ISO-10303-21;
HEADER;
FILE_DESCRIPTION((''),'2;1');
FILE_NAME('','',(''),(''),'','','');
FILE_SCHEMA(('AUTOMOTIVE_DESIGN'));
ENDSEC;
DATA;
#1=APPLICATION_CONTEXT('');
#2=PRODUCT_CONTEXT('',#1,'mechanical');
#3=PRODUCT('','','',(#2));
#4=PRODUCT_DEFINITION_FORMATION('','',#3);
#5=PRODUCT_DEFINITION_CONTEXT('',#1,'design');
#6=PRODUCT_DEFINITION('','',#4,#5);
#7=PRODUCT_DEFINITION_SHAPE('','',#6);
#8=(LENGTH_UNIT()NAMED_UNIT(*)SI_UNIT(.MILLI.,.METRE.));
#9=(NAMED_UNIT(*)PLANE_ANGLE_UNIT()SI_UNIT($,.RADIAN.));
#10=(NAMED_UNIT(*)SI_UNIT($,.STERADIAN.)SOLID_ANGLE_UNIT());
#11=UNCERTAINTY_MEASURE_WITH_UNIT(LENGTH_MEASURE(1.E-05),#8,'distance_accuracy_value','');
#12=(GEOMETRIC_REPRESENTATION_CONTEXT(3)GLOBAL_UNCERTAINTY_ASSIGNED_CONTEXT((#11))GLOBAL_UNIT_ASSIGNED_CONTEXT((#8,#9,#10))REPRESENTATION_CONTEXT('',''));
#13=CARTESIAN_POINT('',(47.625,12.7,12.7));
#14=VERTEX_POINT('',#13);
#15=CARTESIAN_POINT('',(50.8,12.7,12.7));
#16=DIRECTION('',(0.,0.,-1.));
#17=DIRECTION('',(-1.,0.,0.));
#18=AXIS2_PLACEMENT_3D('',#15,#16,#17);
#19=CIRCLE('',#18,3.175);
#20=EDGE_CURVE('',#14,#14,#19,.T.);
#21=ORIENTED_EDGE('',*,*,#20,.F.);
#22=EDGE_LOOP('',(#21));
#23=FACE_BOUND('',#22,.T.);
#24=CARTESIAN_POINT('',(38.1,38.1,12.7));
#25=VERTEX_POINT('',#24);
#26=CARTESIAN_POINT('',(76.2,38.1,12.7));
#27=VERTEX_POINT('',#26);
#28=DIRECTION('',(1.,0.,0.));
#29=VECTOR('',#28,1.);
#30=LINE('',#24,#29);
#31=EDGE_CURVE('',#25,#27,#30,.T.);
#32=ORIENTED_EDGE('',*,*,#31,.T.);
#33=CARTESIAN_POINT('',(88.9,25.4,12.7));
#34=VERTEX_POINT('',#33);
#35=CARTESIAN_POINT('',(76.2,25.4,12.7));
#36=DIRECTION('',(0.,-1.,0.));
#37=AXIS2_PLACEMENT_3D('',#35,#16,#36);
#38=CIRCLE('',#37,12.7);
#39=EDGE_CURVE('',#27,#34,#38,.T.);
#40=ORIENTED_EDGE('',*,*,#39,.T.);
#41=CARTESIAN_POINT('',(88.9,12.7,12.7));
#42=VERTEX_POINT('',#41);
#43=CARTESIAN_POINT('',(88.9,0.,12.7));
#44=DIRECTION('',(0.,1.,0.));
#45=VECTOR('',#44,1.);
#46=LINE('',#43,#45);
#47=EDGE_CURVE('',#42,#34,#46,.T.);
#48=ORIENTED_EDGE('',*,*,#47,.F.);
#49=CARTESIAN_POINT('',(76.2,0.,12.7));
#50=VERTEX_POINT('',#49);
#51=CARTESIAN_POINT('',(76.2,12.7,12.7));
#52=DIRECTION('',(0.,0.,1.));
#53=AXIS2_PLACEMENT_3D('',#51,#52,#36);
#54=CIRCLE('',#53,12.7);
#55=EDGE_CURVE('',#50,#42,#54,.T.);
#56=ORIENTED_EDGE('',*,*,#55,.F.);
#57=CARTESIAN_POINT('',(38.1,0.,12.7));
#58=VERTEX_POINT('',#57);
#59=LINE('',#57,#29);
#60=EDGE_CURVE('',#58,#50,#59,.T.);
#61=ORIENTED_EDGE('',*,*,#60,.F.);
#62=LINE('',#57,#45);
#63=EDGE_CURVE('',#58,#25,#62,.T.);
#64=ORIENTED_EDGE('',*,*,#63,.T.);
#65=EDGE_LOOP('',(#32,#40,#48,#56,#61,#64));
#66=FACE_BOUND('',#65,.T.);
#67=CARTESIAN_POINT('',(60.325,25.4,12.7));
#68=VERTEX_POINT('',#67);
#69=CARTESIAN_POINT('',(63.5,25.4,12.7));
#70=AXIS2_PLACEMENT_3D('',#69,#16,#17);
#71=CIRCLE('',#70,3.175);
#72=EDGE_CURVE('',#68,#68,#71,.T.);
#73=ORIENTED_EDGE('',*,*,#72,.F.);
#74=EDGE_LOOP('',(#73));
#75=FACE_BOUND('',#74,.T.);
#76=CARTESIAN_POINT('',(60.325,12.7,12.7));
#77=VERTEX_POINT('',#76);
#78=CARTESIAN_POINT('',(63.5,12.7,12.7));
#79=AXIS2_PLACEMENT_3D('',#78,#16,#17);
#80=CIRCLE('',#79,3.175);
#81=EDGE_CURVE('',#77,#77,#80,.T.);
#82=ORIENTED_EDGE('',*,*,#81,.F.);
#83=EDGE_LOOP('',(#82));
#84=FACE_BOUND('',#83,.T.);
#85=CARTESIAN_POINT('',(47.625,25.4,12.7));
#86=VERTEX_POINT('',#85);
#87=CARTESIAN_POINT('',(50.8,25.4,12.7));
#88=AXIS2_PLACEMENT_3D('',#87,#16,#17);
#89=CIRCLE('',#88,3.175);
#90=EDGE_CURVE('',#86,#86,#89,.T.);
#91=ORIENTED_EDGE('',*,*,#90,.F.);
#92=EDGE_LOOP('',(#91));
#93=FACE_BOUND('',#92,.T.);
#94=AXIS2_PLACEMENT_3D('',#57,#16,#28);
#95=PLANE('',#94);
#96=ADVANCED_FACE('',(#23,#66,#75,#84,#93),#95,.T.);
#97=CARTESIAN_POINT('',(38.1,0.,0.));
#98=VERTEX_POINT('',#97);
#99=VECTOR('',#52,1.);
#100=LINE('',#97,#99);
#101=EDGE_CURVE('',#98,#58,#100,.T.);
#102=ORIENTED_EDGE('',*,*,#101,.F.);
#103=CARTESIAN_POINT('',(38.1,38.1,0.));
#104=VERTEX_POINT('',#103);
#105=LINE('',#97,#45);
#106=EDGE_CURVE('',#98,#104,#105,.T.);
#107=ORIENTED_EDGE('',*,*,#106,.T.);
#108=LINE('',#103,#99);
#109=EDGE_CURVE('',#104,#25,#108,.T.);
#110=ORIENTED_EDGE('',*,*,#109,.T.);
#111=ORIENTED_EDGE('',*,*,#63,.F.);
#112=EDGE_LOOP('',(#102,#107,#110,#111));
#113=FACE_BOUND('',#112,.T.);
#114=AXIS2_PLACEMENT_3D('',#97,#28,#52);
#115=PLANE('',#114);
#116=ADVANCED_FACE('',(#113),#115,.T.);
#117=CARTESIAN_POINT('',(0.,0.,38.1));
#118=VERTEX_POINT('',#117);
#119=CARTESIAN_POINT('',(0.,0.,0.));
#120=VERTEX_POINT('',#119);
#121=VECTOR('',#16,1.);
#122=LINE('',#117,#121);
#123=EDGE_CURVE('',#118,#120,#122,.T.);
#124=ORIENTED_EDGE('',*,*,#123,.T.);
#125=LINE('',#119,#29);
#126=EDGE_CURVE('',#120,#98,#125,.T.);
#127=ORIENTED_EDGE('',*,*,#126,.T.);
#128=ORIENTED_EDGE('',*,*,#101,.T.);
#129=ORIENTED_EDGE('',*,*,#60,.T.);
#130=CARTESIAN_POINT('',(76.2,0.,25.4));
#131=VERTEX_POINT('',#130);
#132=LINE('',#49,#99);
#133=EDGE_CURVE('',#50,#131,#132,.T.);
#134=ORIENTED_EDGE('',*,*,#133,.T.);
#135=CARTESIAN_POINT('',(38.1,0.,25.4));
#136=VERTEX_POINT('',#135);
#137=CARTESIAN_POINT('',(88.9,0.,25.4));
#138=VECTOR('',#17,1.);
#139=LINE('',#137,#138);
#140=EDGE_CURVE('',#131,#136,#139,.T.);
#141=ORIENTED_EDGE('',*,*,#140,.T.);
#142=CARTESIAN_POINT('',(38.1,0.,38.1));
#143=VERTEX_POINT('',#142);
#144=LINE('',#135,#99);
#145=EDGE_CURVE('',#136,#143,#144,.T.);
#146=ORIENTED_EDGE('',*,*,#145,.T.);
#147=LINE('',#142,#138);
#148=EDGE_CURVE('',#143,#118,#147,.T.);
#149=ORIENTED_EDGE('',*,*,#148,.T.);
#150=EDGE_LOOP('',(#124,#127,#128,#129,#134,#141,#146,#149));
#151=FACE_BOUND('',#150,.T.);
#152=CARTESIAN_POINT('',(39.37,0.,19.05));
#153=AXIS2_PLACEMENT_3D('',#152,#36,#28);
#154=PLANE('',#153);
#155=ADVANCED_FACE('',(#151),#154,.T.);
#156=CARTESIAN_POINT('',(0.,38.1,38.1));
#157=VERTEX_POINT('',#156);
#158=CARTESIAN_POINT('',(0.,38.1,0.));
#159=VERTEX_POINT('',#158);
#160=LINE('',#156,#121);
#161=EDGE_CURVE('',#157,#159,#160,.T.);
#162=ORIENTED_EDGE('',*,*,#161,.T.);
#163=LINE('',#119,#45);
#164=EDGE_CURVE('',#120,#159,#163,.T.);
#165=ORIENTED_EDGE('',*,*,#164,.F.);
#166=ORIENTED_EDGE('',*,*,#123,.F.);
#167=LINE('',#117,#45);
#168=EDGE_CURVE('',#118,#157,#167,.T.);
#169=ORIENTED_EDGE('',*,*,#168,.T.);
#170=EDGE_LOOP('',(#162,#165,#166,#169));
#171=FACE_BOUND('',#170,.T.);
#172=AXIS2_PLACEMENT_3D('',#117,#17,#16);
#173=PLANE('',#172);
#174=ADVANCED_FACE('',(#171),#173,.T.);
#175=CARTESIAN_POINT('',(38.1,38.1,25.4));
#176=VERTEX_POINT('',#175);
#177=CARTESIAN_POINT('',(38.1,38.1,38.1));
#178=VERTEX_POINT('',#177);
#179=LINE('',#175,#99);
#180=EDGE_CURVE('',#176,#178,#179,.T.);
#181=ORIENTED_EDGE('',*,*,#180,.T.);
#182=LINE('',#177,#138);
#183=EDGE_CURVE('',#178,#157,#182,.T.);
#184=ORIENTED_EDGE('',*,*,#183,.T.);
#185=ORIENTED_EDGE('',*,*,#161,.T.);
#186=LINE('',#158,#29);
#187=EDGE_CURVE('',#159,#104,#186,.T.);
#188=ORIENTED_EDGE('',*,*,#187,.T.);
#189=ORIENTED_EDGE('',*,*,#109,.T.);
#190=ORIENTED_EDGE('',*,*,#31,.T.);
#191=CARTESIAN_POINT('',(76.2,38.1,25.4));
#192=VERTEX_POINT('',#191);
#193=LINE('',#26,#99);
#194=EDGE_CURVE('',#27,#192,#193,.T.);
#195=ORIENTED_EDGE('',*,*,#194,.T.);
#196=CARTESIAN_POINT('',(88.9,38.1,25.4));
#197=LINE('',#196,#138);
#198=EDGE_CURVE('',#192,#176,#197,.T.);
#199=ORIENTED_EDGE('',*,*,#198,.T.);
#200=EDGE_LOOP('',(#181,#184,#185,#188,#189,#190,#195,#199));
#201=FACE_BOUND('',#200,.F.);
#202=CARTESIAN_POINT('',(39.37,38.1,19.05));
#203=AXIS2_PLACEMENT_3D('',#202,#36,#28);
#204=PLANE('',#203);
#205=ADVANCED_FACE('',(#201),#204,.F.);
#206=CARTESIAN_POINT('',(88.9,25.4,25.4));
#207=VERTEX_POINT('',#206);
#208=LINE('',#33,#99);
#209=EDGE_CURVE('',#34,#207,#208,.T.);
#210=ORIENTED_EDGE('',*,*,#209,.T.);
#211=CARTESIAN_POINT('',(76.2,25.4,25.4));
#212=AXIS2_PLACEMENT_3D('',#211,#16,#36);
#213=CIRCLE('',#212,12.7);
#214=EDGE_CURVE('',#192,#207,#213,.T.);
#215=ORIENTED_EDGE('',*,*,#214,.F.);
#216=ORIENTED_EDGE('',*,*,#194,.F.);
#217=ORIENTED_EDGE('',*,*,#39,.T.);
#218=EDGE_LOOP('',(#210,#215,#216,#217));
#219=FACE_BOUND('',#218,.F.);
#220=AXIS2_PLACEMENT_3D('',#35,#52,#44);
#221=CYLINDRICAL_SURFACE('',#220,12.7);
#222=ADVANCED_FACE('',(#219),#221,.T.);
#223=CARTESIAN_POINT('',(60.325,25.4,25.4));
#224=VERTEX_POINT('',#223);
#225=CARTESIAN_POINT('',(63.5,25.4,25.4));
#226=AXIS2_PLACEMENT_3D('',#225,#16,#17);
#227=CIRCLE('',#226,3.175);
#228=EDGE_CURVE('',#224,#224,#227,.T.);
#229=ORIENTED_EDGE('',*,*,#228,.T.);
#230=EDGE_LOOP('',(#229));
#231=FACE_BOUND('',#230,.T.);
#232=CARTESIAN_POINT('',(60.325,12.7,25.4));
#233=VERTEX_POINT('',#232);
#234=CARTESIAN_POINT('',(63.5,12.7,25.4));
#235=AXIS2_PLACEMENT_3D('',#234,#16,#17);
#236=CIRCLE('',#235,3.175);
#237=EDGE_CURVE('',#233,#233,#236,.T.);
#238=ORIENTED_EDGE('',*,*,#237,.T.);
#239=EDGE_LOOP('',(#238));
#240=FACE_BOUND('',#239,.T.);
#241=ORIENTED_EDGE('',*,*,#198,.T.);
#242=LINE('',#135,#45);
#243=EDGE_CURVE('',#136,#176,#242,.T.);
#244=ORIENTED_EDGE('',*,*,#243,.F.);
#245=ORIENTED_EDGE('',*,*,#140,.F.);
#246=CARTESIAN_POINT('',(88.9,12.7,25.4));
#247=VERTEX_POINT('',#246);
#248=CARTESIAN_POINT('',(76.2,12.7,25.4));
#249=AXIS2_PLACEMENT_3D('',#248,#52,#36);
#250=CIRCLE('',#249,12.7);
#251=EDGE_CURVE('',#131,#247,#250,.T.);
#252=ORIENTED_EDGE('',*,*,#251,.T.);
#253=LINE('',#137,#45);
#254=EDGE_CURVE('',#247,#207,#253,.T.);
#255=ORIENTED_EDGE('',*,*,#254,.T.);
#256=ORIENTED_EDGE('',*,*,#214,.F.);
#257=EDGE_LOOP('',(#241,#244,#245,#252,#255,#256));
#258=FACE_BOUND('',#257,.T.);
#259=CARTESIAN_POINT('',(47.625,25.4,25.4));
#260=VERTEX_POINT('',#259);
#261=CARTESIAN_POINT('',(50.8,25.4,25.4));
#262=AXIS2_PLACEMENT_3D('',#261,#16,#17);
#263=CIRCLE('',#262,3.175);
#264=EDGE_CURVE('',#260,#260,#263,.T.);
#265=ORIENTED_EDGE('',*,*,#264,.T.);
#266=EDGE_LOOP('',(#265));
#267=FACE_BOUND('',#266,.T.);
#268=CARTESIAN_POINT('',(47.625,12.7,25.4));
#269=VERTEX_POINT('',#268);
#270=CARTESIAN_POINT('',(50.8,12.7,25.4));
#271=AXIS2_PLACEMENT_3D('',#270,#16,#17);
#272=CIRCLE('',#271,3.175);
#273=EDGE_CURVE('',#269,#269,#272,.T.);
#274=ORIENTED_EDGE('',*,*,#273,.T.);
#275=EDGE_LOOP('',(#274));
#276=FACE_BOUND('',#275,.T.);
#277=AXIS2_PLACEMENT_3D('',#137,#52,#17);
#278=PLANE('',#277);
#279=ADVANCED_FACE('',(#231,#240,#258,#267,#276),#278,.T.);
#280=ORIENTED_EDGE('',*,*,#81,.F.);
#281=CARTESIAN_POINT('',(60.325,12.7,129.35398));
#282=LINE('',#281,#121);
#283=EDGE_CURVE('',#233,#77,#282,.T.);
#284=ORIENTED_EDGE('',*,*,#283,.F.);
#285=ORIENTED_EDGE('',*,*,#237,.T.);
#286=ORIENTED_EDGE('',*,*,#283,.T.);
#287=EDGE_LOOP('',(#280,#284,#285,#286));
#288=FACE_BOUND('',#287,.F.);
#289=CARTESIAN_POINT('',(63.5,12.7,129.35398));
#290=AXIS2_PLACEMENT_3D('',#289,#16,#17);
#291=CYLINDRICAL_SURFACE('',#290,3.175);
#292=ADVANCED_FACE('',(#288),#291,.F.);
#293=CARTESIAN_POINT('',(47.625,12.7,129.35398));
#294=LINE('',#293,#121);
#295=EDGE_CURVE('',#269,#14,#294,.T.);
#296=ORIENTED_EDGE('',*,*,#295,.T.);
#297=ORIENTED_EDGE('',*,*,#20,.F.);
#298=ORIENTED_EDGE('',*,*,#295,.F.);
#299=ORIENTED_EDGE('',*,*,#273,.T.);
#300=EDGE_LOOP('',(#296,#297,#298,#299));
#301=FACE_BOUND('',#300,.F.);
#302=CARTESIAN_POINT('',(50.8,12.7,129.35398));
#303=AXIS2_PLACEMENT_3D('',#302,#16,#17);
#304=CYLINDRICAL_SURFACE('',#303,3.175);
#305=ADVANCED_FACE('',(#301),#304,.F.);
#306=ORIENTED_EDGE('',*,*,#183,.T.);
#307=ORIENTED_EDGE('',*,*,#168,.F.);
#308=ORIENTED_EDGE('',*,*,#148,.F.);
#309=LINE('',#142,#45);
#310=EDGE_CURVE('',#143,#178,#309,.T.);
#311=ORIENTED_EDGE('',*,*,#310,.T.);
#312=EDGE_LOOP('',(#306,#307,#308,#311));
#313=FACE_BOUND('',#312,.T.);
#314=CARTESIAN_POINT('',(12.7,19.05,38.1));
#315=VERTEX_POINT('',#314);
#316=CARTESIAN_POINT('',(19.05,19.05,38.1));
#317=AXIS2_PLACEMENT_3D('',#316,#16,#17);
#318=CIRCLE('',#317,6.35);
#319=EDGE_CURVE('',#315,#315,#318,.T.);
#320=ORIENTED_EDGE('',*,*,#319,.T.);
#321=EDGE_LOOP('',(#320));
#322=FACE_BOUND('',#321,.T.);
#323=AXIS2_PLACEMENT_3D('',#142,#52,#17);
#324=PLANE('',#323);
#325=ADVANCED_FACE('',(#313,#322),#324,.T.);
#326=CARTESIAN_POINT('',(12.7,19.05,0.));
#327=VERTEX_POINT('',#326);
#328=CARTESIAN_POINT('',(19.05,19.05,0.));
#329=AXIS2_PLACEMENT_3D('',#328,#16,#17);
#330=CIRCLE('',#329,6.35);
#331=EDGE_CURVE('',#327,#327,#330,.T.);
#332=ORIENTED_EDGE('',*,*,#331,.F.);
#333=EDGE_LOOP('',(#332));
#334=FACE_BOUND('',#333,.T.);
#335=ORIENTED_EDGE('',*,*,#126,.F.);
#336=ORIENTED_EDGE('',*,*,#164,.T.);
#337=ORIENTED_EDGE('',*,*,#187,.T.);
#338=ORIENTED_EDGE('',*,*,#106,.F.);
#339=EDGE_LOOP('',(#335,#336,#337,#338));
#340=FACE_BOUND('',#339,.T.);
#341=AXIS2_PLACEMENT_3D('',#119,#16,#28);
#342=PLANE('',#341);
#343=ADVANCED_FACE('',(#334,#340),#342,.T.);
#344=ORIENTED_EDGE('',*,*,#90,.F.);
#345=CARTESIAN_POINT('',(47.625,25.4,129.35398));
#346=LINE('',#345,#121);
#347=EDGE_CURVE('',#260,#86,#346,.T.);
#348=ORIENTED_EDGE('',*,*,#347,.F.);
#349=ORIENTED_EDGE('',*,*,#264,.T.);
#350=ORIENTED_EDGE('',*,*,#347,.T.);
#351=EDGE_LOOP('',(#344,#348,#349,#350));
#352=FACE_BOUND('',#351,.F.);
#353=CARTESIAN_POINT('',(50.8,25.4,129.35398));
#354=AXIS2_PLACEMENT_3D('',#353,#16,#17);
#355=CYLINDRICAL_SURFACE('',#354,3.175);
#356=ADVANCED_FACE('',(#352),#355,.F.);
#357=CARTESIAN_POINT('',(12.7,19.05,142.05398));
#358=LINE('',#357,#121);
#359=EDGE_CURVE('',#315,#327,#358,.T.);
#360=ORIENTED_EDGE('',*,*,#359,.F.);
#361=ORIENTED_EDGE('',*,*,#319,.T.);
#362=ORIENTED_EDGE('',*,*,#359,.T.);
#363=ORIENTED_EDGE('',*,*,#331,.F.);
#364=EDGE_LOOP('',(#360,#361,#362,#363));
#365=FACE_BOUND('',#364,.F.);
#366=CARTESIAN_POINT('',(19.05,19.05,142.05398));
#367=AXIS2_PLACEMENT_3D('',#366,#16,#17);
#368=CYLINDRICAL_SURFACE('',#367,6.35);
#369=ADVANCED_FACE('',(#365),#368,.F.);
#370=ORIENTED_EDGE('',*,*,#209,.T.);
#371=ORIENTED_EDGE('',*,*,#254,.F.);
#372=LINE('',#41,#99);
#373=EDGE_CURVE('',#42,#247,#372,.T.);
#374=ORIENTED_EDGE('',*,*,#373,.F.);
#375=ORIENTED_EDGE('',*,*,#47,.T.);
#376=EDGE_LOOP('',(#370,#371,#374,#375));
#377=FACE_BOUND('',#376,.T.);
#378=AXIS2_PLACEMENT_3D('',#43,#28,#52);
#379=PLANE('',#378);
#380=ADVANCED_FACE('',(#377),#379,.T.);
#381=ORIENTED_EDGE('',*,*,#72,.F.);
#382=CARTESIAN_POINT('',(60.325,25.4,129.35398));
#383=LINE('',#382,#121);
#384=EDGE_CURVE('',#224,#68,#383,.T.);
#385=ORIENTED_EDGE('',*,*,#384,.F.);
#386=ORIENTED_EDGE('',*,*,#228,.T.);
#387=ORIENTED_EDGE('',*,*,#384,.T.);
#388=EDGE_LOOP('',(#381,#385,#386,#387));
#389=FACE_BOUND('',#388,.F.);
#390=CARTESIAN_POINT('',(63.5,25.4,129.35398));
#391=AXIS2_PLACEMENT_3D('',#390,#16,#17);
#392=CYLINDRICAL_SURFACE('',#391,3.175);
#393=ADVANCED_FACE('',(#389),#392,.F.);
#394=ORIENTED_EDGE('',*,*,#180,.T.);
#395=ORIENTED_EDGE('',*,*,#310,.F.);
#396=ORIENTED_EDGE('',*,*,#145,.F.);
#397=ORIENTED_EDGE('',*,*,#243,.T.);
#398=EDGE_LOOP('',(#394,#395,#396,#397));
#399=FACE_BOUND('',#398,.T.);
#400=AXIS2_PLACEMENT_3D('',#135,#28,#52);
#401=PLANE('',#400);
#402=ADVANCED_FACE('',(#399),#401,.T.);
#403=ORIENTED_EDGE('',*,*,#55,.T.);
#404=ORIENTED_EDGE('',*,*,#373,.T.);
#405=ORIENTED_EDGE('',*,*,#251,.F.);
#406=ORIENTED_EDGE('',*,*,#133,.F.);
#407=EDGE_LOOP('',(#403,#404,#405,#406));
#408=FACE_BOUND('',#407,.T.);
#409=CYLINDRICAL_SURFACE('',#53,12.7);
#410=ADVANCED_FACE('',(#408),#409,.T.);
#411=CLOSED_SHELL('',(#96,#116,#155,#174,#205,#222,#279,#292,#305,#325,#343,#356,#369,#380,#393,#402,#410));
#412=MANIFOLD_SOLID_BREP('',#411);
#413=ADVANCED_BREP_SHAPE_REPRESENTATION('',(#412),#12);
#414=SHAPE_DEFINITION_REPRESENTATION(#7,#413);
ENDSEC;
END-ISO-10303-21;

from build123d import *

# Parameters (mm, degrees)
F1_DEPTH = 38.1
F3_D     = 6.35
F5_D     = 12.7
F6_R     = 12.7


with BuildPart() as f1:
    # F0 (on Front) → F1 (new body)
    with BuildSketch(Plane.XZ):
        Polygon((0, 38.1), (0, 0), (38.1, 0), (38.1, 12.7), (88.9, 12.7), (88.9, 25.4), (38.1, 25.4), (38.1, 38.1), align=None)
    extrude(amount=-F1_DEPTH)

    # F3 (through all)
    with Locations(Plane.XY.offset(25.4)):
        with Locations((50.8, 25.4), (50.8, 12.7), (63.5, 12.7), (63.5, 25.4)):
            Hole(F3_D / 2)

    # F5 (through all)
    with Locations(Plane.XY.offset(38.1)):
        with Locations((19.05, 19.05)):
            Hole(F5_D / 2)

    # F6
    f6_edges = [f1.edges().sort_by_distance(p)[0] for p in [
        (88.9, 0, 19.05),
        (88.9, 38.1, 19.05),
    ]]
    fillet(f6_edges, radius=F6_R)


solid = f1.part
